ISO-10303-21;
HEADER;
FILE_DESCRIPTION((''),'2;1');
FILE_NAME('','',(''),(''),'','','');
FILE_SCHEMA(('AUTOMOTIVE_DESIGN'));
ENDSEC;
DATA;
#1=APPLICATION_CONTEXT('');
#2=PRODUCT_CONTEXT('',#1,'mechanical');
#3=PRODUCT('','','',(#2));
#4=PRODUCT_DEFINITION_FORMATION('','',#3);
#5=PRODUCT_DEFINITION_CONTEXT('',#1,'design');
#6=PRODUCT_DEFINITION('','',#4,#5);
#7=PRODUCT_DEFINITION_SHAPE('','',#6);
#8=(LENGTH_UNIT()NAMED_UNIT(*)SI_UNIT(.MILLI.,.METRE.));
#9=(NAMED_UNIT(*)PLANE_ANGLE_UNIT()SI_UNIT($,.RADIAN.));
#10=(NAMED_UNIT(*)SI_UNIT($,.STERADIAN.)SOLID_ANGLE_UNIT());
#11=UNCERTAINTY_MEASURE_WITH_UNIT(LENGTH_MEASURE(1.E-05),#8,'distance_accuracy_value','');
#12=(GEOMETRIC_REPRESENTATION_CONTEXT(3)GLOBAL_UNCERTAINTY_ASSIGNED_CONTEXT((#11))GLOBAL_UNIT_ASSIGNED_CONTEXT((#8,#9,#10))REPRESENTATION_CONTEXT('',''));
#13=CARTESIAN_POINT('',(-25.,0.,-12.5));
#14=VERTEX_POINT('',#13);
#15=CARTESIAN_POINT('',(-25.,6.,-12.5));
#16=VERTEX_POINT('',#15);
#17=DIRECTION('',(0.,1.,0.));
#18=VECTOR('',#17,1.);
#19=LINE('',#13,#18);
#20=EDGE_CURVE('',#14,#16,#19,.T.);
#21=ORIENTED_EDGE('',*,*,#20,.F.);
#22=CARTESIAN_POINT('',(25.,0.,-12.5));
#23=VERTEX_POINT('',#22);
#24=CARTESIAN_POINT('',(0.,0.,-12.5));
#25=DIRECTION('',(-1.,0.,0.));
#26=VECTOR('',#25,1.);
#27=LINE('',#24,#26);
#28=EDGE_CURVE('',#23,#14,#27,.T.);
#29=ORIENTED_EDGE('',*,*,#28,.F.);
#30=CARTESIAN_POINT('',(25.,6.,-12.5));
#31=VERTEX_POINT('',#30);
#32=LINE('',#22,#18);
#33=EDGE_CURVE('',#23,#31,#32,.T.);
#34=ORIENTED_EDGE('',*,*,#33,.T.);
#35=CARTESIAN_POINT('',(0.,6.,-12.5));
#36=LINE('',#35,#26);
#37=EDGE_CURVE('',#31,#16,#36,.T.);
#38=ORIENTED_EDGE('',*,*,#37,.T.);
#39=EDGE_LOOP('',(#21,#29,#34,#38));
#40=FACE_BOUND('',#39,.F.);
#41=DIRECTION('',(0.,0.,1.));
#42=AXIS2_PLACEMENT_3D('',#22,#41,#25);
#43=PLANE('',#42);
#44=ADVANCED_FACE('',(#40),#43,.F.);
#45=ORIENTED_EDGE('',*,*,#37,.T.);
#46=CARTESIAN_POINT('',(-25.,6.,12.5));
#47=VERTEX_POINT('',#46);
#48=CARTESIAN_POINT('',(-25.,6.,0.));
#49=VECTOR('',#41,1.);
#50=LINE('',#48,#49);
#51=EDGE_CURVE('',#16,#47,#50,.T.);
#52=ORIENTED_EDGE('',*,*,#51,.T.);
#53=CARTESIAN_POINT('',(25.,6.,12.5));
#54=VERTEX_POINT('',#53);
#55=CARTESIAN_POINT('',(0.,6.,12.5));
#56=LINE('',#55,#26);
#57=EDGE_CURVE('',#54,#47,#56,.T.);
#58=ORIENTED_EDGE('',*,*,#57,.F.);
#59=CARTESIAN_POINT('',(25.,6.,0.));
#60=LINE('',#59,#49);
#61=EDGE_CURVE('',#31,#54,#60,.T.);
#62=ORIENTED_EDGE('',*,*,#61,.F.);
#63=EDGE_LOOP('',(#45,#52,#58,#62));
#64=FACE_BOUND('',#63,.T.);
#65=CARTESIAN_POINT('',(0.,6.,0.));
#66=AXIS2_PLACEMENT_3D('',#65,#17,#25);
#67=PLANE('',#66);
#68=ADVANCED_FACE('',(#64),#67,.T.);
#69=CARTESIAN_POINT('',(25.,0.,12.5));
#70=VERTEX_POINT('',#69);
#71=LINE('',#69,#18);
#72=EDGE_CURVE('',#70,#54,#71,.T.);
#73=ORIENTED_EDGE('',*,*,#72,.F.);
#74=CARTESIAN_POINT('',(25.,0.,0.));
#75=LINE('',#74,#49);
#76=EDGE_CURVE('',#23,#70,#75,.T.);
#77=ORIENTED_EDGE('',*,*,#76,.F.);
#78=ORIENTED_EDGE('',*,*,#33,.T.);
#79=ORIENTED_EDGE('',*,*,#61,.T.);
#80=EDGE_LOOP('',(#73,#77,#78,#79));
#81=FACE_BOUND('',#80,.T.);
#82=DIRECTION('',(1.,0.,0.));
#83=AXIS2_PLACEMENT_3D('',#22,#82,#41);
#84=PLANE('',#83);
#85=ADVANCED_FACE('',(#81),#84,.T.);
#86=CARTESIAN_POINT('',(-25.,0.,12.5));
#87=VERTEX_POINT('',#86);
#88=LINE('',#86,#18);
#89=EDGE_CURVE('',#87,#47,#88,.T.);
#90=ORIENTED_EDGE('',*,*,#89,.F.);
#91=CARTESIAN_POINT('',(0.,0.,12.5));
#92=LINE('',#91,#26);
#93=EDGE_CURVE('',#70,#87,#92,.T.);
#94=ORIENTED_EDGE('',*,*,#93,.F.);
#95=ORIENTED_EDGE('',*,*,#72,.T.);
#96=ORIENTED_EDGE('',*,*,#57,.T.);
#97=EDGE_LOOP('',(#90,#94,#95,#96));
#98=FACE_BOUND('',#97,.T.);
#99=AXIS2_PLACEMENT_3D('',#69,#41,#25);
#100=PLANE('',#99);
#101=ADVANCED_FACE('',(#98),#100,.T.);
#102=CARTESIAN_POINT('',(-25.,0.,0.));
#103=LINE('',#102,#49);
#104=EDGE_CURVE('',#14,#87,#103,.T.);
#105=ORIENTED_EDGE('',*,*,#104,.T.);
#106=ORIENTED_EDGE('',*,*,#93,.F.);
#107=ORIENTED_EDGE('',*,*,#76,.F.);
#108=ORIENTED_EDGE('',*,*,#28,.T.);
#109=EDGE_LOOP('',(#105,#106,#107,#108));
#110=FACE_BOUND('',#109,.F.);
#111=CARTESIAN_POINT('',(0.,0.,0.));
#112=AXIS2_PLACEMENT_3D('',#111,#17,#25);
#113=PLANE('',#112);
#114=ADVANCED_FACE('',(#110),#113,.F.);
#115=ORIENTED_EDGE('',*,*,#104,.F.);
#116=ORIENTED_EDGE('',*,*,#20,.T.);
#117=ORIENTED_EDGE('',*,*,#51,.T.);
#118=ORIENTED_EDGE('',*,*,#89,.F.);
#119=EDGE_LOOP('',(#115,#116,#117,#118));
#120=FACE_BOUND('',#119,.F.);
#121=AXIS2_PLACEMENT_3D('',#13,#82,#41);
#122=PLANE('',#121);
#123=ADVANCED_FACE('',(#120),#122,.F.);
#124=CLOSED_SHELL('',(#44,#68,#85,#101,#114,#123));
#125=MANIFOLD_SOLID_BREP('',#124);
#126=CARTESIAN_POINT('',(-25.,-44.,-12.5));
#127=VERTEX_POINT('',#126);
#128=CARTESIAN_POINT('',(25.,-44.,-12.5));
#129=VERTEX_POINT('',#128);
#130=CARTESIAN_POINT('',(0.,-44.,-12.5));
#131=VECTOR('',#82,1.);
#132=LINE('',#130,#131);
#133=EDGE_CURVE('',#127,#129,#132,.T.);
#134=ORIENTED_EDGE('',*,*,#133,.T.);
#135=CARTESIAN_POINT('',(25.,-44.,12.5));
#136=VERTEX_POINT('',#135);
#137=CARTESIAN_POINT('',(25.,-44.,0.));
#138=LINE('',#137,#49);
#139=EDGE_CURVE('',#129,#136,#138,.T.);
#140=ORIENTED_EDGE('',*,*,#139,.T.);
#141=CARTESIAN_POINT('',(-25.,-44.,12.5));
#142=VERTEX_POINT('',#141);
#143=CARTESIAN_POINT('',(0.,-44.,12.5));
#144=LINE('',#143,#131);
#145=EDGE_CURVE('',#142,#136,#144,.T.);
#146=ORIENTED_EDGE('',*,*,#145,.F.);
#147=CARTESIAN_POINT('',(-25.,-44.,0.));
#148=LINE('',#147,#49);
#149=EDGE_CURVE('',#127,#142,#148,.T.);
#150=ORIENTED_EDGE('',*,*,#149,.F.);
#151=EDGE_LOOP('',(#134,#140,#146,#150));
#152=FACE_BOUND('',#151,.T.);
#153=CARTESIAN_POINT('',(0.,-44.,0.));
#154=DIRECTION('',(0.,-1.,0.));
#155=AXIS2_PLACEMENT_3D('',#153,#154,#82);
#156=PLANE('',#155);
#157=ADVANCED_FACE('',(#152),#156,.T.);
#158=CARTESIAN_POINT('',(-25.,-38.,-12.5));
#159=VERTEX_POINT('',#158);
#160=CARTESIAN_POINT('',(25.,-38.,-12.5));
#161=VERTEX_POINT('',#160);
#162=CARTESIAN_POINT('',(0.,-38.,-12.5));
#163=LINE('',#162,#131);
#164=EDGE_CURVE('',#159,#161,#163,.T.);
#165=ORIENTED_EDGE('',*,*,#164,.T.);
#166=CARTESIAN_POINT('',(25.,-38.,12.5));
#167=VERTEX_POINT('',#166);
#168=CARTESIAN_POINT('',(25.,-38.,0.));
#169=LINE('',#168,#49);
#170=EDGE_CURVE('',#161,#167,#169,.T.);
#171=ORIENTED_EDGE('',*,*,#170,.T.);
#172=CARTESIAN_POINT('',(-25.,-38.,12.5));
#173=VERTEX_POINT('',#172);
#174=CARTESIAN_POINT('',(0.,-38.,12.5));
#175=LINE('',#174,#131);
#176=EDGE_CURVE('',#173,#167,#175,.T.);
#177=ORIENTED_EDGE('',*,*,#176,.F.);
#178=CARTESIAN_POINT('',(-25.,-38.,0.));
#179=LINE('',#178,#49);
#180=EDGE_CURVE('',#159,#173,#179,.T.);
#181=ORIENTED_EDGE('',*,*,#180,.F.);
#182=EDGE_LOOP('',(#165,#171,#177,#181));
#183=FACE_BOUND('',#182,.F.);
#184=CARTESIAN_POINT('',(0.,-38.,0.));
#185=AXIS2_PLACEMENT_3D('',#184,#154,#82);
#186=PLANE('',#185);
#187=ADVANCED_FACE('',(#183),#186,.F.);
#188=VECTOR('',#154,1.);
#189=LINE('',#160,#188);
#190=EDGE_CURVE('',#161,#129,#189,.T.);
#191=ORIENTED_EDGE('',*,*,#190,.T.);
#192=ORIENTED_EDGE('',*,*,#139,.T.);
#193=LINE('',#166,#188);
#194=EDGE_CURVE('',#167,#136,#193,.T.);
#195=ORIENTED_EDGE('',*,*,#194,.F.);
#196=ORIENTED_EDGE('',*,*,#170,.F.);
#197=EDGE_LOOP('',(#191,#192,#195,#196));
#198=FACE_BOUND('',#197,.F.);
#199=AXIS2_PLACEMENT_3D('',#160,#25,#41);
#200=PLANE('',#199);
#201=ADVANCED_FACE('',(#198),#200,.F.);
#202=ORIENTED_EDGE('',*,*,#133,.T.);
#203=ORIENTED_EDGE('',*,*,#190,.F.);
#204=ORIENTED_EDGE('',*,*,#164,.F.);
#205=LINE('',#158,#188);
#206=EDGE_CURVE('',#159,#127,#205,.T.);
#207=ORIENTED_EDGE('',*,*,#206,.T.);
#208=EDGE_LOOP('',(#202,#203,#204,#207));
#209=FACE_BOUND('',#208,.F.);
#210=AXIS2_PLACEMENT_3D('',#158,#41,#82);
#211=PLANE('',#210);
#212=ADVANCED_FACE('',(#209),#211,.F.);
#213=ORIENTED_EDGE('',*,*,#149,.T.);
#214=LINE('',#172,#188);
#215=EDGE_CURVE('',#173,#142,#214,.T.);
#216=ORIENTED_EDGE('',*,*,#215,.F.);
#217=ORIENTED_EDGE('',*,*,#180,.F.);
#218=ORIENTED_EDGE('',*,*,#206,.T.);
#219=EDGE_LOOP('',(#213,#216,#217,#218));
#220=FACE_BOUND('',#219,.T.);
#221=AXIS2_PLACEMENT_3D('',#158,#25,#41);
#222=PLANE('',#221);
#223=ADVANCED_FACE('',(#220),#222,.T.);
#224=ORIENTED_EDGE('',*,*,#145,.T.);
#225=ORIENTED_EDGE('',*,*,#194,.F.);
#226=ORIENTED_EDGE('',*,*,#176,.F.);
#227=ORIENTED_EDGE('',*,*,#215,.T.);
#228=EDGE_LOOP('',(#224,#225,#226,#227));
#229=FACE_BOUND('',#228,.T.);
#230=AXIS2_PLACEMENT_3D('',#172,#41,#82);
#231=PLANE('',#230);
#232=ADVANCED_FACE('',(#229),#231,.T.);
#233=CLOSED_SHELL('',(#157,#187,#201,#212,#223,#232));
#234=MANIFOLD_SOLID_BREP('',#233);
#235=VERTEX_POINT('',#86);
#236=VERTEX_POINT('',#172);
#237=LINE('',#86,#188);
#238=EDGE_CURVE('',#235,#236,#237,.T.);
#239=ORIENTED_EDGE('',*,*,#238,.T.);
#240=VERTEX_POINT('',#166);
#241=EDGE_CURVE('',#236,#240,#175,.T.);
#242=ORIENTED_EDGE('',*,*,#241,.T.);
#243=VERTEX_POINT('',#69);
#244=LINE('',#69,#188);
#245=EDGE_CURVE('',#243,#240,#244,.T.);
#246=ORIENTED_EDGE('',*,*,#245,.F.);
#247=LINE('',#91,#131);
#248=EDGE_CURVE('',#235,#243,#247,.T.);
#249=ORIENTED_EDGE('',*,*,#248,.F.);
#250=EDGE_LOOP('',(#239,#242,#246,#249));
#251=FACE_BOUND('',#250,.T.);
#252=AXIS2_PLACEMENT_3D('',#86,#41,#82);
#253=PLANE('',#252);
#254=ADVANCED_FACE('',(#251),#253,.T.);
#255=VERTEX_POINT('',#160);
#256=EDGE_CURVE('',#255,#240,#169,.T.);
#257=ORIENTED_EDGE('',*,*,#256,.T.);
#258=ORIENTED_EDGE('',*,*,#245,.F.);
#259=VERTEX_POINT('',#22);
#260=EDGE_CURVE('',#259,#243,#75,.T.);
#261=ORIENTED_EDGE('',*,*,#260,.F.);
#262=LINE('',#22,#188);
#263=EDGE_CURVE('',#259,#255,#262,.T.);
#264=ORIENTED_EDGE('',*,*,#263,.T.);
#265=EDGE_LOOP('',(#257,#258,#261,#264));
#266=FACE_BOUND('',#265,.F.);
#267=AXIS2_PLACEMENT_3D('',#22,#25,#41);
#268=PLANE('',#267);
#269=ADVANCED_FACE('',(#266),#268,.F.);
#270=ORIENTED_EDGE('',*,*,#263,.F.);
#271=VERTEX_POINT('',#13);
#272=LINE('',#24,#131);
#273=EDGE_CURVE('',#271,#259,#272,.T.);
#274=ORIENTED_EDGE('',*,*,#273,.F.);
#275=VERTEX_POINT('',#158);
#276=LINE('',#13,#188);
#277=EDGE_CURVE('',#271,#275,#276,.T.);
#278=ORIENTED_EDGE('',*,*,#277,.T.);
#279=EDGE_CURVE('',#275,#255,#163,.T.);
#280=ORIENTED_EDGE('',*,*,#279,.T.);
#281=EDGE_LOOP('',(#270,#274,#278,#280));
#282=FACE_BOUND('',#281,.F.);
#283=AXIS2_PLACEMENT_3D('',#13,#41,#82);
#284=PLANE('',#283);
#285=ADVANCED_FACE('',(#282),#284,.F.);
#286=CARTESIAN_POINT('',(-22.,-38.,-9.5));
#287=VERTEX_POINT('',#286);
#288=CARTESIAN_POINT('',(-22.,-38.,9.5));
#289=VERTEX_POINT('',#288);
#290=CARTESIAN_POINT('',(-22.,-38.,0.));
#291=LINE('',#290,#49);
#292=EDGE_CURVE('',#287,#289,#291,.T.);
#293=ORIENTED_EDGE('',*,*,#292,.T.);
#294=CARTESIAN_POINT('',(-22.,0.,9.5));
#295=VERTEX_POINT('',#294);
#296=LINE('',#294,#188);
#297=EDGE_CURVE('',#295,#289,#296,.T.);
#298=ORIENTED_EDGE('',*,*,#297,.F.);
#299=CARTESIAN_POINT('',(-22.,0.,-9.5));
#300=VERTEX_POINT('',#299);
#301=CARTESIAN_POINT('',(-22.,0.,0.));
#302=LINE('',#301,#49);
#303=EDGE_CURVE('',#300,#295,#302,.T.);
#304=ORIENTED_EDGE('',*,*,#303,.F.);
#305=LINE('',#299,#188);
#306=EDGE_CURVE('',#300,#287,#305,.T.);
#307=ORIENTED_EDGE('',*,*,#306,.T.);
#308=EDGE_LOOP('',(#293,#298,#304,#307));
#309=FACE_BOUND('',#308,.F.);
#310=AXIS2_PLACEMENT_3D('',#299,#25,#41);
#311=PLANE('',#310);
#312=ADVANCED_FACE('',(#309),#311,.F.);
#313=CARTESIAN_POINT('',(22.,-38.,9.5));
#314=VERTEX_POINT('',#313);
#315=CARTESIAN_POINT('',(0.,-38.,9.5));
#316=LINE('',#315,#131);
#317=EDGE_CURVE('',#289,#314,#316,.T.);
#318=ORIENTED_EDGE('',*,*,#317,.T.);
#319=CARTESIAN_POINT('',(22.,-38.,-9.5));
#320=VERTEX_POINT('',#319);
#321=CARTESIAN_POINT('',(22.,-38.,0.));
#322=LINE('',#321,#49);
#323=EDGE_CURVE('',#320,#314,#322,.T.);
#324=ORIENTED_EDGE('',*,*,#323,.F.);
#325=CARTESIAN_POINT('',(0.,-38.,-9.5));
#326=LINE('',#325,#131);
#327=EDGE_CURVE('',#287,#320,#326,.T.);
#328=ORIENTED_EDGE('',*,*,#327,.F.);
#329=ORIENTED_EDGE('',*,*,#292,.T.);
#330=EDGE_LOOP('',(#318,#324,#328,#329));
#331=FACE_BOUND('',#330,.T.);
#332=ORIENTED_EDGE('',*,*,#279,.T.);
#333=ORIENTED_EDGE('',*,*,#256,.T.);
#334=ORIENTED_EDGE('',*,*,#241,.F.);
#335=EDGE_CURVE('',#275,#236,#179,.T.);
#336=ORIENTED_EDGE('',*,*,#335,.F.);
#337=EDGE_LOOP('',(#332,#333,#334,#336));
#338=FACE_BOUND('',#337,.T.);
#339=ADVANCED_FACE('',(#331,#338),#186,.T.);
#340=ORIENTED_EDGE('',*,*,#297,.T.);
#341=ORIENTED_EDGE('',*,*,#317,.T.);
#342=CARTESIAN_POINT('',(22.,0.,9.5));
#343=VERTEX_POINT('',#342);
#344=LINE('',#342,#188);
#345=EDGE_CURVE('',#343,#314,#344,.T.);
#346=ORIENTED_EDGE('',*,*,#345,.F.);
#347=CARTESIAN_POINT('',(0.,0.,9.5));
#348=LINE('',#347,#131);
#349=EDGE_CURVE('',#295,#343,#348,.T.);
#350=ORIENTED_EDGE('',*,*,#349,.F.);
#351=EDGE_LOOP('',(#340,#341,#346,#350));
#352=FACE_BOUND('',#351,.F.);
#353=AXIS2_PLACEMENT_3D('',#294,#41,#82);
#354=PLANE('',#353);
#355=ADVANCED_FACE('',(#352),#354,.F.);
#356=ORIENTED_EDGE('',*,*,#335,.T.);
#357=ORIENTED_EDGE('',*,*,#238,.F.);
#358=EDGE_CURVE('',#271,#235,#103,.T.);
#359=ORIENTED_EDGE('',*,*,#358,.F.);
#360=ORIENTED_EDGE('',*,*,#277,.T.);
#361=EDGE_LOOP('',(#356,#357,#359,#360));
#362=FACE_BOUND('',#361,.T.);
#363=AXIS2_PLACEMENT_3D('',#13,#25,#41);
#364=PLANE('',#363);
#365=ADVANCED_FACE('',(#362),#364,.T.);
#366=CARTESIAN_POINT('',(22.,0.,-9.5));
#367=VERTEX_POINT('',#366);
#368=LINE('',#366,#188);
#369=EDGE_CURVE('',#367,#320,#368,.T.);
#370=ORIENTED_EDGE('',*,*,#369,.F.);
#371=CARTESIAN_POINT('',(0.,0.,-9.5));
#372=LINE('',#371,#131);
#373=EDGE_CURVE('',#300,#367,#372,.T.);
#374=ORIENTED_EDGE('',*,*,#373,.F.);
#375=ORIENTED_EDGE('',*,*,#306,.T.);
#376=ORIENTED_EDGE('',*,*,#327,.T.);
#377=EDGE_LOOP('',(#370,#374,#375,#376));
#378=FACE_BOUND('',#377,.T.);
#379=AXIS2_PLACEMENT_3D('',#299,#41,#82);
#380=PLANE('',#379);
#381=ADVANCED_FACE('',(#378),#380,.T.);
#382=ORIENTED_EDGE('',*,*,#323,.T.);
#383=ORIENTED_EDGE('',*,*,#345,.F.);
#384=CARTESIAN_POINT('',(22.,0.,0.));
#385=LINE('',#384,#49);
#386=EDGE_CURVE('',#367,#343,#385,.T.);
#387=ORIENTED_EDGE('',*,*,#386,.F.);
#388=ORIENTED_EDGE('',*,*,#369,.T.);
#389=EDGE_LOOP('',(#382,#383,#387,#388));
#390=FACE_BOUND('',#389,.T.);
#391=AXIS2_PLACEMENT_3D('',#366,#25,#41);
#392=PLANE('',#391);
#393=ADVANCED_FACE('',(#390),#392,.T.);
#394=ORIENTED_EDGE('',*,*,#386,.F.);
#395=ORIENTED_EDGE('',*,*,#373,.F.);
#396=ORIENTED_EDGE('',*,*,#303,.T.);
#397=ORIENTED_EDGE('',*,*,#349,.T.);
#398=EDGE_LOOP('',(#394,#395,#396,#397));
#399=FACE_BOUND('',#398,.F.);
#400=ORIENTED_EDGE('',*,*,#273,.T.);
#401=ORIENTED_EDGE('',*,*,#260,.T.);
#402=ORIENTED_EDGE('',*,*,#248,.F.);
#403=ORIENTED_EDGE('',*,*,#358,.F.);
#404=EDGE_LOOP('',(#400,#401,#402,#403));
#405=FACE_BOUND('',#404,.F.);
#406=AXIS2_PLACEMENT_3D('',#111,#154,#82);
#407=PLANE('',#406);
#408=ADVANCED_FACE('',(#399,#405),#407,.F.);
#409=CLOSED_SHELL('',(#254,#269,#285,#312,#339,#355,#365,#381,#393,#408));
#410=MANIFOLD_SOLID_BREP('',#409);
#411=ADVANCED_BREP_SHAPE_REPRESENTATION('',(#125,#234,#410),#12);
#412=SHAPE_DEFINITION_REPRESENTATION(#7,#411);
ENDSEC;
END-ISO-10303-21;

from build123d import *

# Parameters (mm, degrees)
F0_W     = 50
F0_H     = 25
F0_W_2   = 44
F0_H_2   = 19
F1_DEPTH = 38
F2_W     = 50
F2_H     = 25
F3_DEPTH = 6
F4_W     = 50
F4_H     = 25
F5_DEPTH = 6


with BuildPart() as f1:
    # F0 (on Front) → F1 (new body)
    with BuildSketch(Plane.XZ):
        Rectangle(F0_W, F0_H)
        Rectangle(F0_W_2, F0_H_2, mode=Mode.SUBTRACT)
    extrude(amount=F1_DEPTH)


with BuildPart() as f3:
    # F2 (on face) → F3 (new body)
    with BuildSketch(Plane(origin=(0, 0, 0), x_dir=(-1, 0, 0), z_dir=(0, 1, 0))):
        Rectangle(F2_W, F2_H)
    extrude(amount=F3_DEPTH)


with BuildPart() as f5:
    # F4 (on face) → F5 (new body)
    with BuildSketch(Plane.XZ.offset(38)):
        Rectangle(F4_W, F4_H)
    extrude(amount=F5_DEPTH)


solid = Compound([f1.part, f3.part, f5.part])
